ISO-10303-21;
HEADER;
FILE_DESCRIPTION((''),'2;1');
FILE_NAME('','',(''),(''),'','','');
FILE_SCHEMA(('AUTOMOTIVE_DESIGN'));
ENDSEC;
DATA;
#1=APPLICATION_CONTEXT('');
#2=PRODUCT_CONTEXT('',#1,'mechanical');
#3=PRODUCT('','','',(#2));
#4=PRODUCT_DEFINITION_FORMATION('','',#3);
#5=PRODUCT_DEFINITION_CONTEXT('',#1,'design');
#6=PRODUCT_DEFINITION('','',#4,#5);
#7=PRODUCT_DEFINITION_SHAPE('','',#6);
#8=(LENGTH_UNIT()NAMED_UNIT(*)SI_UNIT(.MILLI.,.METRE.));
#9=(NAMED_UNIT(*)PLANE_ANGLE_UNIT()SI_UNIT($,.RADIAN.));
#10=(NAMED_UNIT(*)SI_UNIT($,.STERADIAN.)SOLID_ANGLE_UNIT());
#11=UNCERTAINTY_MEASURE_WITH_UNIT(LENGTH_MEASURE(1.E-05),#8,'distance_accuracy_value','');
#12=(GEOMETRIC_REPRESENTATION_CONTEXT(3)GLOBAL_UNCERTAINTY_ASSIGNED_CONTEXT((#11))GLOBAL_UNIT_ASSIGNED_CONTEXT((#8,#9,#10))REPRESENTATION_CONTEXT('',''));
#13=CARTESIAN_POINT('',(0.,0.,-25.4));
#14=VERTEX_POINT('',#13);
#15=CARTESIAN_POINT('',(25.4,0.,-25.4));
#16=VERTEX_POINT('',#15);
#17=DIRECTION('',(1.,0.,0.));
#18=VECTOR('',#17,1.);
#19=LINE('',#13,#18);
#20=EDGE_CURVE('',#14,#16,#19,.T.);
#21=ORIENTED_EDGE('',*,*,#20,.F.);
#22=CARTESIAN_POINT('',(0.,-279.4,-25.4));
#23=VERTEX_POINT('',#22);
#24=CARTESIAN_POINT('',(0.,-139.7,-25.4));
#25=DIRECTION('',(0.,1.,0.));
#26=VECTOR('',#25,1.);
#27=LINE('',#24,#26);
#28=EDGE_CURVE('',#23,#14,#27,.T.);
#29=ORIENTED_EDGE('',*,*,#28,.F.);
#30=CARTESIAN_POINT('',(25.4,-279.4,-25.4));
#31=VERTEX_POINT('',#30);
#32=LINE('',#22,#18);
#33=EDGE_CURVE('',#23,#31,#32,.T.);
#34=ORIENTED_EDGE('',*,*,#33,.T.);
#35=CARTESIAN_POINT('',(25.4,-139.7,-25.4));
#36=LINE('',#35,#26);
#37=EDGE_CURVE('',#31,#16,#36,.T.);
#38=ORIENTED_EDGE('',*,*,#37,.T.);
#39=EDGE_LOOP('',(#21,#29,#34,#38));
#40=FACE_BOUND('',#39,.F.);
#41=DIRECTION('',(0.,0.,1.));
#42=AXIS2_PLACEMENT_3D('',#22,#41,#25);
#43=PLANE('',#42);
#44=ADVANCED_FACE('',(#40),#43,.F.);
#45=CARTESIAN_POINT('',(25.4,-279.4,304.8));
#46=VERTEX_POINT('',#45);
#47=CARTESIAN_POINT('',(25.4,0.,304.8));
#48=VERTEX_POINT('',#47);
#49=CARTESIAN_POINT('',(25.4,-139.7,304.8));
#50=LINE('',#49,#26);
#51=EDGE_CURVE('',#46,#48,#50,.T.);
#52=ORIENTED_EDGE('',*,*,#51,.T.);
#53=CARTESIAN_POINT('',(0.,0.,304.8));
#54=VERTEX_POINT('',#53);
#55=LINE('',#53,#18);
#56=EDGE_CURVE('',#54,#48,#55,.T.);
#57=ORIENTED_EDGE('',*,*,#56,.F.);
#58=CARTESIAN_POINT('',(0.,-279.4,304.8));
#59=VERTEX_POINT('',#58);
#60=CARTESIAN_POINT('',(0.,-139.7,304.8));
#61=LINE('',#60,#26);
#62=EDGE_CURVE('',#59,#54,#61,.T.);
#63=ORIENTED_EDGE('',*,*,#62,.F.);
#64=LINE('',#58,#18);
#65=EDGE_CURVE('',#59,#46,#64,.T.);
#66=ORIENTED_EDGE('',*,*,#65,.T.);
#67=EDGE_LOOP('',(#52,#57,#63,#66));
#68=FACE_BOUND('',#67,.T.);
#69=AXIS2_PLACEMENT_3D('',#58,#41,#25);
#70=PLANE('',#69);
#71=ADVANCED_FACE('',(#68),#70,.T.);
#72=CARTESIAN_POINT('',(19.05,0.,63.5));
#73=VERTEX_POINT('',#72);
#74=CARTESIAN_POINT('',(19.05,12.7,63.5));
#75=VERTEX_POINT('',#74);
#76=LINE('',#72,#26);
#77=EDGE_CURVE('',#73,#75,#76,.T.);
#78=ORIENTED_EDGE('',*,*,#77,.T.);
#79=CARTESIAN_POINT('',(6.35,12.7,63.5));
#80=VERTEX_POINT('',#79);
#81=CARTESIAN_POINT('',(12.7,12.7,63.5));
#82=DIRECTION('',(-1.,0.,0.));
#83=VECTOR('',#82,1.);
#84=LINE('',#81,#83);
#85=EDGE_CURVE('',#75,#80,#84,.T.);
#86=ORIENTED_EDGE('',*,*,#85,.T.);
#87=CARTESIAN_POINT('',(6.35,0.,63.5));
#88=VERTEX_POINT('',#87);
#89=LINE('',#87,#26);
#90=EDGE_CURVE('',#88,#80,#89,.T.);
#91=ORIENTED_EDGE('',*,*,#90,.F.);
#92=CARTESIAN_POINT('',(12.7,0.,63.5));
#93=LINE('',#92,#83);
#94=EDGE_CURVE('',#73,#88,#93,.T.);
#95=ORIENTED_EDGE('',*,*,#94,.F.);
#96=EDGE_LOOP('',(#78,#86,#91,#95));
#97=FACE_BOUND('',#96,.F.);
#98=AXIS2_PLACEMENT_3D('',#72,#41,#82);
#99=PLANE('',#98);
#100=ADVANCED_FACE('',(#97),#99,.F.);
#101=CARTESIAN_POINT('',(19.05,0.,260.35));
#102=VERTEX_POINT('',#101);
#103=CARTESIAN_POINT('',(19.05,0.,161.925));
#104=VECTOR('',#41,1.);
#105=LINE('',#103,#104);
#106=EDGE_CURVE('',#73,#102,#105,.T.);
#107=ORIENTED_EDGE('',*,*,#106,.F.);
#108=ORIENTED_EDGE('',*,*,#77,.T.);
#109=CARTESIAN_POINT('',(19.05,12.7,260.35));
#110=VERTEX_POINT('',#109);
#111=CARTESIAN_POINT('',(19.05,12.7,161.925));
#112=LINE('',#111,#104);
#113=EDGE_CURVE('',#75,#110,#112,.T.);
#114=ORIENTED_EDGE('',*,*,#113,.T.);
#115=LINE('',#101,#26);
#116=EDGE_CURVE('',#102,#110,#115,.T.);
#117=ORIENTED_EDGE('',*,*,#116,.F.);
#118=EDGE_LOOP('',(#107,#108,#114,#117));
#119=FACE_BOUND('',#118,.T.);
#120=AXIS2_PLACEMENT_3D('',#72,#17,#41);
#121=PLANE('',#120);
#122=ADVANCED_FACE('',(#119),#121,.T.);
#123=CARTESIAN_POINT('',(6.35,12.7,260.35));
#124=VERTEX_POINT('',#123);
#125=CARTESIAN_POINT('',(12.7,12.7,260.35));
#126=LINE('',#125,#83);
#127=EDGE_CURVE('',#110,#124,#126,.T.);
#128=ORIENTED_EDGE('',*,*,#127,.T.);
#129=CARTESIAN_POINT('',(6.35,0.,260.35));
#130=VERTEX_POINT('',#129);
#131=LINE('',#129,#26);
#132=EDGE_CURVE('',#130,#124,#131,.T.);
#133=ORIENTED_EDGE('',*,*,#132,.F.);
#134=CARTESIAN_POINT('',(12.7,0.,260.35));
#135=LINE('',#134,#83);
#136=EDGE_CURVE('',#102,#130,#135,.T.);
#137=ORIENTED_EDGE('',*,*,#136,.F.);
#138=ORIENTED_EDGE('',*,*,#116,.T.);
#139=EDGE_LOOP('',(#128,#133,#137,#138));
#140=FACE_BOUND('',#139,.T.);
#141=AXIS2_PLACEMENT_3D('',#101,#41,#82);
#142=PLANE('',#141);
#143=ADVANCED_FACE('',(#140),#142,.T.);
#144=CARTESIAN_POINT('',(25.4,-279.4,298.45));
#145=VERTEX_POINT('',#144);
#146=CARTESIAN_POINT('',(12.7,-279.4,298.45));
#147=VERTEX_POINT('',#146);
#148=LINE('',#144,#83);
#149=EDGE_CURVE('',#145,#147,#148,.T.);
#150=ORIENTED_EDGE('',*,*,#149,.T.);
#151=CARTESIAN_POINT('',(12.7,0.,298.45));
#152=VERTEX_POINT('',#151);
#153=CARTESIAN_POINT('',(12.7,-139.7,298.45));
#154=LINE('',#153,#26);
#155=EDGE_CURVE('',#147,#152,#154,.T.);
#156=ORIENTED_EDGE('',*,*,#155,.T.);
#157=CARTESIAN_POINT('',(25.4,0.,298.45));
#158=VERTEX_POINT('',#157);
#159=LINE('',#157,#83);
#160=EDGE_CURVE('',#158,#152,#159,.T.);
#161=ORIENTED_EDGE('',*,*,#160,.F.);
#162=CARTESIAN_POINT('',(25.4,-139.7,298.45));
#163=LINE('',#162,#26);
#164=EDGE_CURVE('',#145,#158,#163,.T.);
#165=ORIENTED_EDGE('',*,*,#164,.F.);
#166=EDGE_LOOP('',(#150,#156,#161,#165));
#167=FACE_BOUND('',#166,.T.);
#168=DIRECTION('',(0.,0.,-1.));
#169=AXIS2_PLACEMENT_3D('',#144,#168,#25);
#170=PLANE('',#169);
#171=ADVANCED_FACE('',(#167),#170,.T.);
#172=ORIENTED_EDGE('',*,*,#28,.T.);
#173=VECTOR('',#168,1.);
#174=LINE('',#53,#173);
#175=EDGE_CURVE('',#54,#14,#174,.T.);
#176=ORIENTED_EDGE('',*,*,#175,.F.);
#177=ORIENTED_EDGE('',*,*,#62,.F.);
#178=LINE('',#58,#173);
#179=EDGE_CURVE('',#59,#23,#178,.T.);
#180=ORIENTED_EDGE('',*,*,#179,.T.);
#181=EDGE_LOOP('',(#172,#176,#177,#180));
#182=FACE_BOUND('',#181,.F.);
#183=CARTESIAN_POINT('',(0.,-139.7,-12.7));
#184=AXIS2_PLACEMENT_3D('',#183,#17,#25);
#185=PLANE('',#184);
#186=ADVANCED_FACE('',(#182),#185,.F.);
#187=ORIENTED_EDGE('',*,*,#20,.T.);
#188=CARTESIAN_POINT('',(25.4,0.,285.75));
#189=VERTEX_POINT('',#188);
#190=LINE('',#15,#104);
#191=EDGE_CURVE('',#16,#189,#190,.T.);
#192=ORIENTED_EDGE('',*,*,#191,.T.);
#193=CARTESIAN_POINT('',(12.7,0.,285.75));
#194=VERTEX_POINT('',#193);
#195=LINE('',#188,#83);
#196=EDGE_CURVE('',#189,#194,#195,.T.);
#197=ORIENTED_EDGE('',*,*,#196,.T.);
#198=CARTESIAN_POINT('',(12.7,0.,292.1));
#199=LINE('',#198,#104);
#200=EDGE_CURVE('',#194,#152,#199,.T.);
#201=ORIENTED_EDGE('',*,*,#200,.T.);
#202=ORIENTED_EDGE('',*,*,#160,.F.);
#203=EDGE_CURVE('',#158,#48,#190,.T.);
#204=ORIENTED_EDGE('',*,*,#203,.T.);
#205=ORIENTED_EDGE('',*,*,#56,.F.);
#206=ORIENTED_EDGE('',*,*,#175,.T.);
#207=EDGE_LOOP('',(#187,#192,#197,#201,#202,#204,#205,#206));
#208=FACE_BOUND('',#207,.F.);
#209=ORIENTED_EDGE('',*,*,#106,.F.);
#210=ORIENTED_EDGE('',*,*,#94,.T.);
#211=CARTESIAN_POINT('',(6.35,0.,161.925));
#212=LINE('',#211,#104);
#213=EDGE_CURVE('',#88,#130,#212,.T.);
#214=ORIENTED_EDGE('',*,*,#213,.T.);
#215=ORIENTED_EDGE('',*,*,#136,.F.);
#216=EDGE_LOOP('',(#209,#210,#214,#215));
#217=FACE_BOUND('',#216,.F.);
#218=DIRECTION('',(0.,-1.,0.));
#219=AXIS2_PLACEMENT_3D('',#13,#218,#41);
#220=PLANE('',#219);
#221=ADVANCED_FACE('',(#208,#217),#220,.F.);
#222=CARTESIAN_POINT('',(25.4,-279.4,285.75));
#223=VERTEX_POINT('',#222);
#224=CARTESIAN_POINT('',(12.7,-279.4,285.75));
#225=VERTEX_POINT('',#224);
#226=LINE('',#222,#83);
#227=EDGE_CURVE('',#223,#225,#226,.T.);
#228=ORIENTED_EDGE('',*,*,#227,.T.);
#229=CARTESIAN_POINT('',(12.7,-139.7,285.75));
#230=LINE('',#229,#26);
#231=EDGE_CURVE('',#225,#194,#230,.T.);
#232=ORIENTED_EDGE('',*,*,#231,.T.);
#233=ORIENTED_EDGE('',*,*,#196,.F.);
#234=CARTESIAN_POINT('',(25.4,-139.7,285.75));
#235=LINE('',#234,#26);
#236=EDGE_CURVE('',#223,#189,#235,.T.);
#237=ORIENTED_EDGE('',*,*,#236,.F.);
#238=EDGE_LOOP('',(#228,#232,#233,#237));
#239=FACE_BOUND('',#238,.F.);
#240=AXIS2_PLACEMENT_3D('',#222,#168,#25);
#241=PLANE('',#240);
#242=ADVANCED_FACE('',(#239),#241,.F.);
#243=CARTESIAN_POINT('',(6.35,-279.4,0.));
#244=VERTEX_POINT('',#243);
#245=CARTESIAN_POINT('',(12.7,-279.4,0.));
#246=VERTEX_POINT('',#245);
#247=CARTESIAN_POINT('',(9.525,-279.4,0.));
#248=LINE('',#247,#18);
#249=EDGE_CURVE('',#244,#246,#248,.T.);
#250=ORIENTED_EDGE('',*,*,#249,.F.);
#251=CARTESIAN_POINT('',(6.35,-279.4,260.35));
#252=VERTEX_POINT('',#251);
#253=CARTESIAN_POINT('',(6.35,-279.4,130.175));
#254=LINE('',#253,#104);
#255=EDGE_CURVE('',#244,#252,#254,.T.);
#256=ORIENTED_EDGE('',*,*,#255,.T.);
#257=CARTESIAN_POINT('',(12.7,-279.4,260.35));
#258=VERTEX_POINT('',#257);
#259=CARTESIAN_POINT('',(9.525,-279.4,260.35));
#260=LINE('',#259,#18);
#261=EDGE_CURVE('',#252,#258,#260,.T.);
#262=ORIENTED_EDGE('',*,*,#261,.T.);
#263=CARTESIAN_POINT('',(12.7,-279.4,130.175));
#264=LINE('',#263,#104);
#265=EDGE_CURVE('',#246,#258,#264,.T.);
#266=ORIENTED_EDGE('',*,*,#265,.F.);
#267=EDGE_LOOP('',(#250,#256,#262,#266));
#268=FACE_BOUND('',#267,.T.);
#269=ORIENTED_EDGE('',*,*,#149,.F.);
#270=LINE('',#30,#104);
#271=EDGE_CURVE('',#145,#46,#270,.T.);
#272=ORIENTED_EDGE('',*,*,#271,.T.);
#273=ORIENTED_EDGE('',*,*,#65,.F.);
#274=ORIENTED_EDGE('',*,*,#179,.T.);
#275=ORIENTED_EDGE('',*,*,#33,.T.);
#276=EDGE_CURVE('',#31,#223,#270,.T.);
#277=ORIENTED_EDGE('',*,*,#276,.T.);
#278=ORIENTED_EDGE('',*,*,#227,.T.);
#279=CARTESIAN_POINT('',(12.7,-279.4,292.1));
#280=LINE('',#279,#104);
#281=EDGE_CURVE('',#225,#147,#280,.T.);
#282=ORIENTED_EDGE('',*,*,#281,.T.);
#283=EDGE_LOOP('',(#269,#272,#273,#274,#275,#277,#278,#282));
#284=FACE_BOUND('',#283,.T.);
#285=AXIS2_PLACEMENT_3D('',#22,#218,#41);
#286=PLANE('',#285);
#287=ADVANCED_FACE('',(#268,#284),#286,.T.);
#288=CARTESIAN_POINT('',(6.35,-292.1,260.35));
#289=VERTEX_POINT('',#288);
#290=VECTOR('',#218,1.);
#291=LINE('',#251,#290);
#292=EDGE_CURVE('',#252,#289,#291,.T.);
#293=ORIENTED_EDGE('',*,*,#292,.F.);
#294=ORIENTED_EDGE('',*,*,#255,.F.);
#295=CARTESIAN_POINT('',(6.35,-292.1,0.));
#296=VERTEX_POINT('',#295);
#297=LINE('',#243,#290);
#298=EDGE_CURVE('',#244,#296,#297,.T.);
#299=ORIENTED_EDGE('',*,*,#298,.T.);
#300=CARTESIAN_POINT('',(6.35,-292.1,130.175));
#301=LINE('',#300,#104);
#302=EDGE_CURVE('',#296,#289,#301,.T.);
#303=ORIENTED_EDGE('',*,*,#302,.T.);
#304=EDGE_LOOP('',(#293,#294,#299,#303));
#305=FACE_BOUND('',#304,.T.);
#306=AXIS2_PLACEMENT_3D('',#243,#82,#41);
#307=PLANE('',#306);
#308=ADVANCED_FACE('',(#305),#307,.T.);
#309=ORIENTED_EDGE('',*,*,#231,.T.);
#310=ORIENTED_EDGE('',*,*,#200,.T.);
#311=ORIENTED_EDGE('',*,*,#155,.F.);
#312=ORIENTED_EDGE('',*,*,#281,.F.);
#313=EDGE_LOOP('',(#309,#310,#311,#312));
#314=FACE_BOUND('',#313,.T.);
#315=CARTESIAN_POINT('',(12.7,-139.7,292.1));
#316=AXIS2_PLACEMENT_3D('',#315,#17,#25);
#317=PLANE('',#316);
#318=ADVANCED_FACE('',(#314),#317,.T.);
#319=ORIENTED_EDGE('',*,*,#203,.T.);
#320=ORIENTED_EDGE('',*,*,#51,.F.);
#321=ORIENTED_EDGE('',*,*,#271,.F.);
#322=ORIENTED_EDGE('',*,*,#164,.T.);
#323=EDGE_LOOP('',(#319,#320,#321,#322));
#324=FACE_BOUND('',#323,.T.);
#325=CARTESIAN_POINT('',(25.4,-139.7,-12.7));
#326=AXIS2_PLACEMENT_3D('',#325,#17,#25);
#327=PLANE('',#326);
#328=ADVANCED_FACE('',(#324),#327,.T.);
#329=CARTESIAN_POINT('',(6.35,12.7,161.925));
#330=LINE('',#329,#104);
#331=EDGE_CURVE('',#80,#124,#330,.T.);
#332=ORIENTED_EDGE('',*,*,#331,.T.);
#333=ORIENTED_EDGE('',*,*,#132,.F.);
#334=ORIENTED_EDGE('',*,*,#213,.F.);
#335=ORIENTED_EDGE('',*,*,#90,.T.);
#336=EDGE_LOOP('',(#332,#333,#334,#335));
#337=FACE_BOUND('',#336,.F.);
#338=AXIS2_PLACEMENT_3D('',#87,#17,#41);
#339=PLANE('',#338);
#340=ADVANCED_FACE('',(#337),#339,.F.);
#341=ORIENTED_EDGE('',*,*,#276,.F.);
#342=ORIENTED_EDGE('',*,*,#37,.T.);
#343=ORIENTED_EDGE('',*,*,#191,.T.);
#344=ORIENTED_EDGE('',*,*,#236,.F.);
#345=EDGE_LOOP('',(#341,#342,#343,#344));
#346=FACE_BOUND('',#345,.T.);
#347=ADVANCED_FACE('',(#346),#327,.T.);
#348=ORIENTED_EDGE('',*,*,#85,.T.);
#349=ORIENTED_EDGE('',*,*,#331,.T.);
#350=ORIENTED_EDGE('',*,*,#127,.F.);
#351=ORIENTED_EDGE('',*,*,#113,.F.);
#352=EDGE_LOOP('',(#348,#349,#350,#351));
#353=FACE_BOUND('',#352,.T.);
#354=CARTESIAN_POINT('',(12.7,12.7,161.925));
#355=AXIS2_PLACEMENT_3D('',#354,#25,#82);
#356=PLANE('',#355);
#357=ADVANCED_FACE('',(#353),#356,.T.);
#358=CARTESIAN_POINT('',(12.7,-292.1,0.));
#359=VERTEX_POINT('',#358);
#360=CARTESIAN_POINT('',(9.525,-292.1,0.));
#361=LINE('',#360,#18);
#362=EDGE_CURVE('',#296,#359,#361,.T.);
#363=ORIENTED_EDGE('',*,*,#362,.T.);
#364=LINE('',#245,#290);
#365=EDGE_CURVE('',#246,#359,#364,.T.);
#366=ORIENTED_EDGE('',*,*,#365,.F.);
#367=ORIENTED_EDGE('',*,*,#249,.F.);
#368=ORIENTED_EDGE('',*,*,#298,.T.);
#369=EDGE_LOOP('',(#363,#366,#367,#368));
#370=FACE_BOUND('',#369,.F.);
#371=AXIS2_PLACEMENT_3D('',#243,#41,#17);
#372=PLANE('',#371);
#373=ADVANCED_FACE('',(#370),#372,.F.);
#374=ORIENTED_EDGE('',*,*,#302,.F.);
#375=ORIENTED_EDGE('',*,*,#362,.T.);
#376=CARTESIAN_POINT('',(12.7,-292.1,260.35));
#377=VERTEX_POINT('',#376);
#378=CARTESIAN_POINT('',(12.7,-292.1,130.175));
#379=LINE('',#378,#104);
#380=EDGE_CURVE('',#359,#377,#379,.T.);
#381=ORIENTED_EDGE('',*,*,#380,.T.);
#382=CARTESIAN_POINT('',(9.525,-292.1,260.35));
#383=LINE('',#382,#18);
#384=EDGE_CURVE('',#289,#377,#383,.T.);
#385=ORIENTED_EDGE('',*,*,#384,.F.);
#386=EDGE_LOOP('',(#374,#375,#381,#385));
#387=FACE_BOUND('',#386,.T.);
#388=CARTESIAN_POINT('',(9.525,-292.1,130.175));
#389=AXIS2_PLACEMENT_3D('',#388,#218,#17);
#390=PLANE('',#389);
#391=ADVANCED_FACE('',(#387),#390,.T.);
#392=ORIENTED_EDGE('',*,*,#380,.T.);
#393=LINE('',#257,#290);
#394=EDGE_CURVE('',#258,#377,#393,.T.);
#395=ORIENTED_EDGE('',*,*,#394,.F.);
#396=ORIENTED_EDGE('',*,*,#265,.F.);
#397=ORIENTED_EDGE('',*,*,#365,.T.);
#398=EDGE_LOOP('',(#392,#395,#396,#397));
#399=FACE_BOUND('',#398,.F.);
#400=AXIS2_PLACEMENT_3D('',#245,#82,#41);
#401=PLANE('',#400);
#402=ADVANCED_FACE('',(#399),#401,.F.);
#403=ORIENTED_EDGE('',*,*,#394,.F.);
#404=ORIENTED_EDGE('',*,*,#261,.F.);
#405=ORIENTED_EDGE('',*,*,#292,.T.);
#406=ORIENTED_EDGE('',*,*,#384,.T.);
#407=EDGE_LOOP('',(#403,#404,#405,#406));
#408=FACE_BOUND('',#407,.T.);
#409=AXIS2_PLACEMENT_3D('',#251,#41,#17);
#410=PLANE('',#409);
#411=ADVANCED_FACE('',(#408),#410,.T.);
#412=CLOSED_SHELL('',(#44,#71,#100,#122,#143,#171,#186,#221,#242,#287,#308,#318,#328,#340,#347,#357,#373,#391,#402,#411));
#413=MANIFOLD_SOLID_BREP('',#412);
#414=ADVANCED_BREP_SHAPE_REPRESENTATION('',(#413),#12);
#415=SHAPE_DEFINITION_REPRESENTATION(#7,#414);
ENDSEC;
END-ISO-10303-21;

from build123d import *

# Parameters (mm, degrees)
F0_W     = 279.4
F0_H     = 304.8
F1_DEPTH = 25.4
F2_W     = 279.4
F2_H     = 25.4
F3_DEPTH = 25.4
F4_W     = 279.4
F4_H     = 12.7
F5_DEPTH = 12.7
F6_W     = 6.35
F6_H     = 260.35
F7_DEPTH = 12.7
F8_W     = 12.7
F8_H     = 196.85
F9_DEPTH = 12.7


with BuildPart() as f1:
    # F0 (on Right) → F1 (new body)
    with BuildSketch(Plane.YZ):
        with Locations((-139.7, 152.4)):
            Rectangle(F0_W, F0_H)
    extrude(amount=F1_DEPTH)

    # F2 (on Right) → F3 (join)
    with BuildSketch(Plane.YZ):
        with Locations((-139.7, -12.7)):
            Rectangle(F2_W, F2_H)
    extrude(amount=F3_DEPTH)

    # F4 (on face) → F5 (cut)
    with BuildSketch(Plane.YZ.offset(25.4)):
        with Locations((-139.7, 292.1)):
            Rectangle(F4_W, F4_H)
    extrude(amount=-F5_DEPTH, mode=Mode.SUBTRACT)

    # F6 (on face) → F7 (join)
    with BuildSketch(Plane.XZ.offset(279.4)):
        with Locations((9.525, 130.175)):
            Rectangle(F6_W, F6_H)
    extrude(amount=F7_DEPTH)

    # F8 (on face) → F9 (join)
    with BuildSketch(Plane(origin=(0, 0, 0), x_dir=(-1, 0, 0), z_dir=(0, 1, 0))):
        with Locations((-12.7, 161.925)):
            Rectangle(F8_W, F8_H)
    extrude(amount=F9_DEPTH)


solid = f1.part
